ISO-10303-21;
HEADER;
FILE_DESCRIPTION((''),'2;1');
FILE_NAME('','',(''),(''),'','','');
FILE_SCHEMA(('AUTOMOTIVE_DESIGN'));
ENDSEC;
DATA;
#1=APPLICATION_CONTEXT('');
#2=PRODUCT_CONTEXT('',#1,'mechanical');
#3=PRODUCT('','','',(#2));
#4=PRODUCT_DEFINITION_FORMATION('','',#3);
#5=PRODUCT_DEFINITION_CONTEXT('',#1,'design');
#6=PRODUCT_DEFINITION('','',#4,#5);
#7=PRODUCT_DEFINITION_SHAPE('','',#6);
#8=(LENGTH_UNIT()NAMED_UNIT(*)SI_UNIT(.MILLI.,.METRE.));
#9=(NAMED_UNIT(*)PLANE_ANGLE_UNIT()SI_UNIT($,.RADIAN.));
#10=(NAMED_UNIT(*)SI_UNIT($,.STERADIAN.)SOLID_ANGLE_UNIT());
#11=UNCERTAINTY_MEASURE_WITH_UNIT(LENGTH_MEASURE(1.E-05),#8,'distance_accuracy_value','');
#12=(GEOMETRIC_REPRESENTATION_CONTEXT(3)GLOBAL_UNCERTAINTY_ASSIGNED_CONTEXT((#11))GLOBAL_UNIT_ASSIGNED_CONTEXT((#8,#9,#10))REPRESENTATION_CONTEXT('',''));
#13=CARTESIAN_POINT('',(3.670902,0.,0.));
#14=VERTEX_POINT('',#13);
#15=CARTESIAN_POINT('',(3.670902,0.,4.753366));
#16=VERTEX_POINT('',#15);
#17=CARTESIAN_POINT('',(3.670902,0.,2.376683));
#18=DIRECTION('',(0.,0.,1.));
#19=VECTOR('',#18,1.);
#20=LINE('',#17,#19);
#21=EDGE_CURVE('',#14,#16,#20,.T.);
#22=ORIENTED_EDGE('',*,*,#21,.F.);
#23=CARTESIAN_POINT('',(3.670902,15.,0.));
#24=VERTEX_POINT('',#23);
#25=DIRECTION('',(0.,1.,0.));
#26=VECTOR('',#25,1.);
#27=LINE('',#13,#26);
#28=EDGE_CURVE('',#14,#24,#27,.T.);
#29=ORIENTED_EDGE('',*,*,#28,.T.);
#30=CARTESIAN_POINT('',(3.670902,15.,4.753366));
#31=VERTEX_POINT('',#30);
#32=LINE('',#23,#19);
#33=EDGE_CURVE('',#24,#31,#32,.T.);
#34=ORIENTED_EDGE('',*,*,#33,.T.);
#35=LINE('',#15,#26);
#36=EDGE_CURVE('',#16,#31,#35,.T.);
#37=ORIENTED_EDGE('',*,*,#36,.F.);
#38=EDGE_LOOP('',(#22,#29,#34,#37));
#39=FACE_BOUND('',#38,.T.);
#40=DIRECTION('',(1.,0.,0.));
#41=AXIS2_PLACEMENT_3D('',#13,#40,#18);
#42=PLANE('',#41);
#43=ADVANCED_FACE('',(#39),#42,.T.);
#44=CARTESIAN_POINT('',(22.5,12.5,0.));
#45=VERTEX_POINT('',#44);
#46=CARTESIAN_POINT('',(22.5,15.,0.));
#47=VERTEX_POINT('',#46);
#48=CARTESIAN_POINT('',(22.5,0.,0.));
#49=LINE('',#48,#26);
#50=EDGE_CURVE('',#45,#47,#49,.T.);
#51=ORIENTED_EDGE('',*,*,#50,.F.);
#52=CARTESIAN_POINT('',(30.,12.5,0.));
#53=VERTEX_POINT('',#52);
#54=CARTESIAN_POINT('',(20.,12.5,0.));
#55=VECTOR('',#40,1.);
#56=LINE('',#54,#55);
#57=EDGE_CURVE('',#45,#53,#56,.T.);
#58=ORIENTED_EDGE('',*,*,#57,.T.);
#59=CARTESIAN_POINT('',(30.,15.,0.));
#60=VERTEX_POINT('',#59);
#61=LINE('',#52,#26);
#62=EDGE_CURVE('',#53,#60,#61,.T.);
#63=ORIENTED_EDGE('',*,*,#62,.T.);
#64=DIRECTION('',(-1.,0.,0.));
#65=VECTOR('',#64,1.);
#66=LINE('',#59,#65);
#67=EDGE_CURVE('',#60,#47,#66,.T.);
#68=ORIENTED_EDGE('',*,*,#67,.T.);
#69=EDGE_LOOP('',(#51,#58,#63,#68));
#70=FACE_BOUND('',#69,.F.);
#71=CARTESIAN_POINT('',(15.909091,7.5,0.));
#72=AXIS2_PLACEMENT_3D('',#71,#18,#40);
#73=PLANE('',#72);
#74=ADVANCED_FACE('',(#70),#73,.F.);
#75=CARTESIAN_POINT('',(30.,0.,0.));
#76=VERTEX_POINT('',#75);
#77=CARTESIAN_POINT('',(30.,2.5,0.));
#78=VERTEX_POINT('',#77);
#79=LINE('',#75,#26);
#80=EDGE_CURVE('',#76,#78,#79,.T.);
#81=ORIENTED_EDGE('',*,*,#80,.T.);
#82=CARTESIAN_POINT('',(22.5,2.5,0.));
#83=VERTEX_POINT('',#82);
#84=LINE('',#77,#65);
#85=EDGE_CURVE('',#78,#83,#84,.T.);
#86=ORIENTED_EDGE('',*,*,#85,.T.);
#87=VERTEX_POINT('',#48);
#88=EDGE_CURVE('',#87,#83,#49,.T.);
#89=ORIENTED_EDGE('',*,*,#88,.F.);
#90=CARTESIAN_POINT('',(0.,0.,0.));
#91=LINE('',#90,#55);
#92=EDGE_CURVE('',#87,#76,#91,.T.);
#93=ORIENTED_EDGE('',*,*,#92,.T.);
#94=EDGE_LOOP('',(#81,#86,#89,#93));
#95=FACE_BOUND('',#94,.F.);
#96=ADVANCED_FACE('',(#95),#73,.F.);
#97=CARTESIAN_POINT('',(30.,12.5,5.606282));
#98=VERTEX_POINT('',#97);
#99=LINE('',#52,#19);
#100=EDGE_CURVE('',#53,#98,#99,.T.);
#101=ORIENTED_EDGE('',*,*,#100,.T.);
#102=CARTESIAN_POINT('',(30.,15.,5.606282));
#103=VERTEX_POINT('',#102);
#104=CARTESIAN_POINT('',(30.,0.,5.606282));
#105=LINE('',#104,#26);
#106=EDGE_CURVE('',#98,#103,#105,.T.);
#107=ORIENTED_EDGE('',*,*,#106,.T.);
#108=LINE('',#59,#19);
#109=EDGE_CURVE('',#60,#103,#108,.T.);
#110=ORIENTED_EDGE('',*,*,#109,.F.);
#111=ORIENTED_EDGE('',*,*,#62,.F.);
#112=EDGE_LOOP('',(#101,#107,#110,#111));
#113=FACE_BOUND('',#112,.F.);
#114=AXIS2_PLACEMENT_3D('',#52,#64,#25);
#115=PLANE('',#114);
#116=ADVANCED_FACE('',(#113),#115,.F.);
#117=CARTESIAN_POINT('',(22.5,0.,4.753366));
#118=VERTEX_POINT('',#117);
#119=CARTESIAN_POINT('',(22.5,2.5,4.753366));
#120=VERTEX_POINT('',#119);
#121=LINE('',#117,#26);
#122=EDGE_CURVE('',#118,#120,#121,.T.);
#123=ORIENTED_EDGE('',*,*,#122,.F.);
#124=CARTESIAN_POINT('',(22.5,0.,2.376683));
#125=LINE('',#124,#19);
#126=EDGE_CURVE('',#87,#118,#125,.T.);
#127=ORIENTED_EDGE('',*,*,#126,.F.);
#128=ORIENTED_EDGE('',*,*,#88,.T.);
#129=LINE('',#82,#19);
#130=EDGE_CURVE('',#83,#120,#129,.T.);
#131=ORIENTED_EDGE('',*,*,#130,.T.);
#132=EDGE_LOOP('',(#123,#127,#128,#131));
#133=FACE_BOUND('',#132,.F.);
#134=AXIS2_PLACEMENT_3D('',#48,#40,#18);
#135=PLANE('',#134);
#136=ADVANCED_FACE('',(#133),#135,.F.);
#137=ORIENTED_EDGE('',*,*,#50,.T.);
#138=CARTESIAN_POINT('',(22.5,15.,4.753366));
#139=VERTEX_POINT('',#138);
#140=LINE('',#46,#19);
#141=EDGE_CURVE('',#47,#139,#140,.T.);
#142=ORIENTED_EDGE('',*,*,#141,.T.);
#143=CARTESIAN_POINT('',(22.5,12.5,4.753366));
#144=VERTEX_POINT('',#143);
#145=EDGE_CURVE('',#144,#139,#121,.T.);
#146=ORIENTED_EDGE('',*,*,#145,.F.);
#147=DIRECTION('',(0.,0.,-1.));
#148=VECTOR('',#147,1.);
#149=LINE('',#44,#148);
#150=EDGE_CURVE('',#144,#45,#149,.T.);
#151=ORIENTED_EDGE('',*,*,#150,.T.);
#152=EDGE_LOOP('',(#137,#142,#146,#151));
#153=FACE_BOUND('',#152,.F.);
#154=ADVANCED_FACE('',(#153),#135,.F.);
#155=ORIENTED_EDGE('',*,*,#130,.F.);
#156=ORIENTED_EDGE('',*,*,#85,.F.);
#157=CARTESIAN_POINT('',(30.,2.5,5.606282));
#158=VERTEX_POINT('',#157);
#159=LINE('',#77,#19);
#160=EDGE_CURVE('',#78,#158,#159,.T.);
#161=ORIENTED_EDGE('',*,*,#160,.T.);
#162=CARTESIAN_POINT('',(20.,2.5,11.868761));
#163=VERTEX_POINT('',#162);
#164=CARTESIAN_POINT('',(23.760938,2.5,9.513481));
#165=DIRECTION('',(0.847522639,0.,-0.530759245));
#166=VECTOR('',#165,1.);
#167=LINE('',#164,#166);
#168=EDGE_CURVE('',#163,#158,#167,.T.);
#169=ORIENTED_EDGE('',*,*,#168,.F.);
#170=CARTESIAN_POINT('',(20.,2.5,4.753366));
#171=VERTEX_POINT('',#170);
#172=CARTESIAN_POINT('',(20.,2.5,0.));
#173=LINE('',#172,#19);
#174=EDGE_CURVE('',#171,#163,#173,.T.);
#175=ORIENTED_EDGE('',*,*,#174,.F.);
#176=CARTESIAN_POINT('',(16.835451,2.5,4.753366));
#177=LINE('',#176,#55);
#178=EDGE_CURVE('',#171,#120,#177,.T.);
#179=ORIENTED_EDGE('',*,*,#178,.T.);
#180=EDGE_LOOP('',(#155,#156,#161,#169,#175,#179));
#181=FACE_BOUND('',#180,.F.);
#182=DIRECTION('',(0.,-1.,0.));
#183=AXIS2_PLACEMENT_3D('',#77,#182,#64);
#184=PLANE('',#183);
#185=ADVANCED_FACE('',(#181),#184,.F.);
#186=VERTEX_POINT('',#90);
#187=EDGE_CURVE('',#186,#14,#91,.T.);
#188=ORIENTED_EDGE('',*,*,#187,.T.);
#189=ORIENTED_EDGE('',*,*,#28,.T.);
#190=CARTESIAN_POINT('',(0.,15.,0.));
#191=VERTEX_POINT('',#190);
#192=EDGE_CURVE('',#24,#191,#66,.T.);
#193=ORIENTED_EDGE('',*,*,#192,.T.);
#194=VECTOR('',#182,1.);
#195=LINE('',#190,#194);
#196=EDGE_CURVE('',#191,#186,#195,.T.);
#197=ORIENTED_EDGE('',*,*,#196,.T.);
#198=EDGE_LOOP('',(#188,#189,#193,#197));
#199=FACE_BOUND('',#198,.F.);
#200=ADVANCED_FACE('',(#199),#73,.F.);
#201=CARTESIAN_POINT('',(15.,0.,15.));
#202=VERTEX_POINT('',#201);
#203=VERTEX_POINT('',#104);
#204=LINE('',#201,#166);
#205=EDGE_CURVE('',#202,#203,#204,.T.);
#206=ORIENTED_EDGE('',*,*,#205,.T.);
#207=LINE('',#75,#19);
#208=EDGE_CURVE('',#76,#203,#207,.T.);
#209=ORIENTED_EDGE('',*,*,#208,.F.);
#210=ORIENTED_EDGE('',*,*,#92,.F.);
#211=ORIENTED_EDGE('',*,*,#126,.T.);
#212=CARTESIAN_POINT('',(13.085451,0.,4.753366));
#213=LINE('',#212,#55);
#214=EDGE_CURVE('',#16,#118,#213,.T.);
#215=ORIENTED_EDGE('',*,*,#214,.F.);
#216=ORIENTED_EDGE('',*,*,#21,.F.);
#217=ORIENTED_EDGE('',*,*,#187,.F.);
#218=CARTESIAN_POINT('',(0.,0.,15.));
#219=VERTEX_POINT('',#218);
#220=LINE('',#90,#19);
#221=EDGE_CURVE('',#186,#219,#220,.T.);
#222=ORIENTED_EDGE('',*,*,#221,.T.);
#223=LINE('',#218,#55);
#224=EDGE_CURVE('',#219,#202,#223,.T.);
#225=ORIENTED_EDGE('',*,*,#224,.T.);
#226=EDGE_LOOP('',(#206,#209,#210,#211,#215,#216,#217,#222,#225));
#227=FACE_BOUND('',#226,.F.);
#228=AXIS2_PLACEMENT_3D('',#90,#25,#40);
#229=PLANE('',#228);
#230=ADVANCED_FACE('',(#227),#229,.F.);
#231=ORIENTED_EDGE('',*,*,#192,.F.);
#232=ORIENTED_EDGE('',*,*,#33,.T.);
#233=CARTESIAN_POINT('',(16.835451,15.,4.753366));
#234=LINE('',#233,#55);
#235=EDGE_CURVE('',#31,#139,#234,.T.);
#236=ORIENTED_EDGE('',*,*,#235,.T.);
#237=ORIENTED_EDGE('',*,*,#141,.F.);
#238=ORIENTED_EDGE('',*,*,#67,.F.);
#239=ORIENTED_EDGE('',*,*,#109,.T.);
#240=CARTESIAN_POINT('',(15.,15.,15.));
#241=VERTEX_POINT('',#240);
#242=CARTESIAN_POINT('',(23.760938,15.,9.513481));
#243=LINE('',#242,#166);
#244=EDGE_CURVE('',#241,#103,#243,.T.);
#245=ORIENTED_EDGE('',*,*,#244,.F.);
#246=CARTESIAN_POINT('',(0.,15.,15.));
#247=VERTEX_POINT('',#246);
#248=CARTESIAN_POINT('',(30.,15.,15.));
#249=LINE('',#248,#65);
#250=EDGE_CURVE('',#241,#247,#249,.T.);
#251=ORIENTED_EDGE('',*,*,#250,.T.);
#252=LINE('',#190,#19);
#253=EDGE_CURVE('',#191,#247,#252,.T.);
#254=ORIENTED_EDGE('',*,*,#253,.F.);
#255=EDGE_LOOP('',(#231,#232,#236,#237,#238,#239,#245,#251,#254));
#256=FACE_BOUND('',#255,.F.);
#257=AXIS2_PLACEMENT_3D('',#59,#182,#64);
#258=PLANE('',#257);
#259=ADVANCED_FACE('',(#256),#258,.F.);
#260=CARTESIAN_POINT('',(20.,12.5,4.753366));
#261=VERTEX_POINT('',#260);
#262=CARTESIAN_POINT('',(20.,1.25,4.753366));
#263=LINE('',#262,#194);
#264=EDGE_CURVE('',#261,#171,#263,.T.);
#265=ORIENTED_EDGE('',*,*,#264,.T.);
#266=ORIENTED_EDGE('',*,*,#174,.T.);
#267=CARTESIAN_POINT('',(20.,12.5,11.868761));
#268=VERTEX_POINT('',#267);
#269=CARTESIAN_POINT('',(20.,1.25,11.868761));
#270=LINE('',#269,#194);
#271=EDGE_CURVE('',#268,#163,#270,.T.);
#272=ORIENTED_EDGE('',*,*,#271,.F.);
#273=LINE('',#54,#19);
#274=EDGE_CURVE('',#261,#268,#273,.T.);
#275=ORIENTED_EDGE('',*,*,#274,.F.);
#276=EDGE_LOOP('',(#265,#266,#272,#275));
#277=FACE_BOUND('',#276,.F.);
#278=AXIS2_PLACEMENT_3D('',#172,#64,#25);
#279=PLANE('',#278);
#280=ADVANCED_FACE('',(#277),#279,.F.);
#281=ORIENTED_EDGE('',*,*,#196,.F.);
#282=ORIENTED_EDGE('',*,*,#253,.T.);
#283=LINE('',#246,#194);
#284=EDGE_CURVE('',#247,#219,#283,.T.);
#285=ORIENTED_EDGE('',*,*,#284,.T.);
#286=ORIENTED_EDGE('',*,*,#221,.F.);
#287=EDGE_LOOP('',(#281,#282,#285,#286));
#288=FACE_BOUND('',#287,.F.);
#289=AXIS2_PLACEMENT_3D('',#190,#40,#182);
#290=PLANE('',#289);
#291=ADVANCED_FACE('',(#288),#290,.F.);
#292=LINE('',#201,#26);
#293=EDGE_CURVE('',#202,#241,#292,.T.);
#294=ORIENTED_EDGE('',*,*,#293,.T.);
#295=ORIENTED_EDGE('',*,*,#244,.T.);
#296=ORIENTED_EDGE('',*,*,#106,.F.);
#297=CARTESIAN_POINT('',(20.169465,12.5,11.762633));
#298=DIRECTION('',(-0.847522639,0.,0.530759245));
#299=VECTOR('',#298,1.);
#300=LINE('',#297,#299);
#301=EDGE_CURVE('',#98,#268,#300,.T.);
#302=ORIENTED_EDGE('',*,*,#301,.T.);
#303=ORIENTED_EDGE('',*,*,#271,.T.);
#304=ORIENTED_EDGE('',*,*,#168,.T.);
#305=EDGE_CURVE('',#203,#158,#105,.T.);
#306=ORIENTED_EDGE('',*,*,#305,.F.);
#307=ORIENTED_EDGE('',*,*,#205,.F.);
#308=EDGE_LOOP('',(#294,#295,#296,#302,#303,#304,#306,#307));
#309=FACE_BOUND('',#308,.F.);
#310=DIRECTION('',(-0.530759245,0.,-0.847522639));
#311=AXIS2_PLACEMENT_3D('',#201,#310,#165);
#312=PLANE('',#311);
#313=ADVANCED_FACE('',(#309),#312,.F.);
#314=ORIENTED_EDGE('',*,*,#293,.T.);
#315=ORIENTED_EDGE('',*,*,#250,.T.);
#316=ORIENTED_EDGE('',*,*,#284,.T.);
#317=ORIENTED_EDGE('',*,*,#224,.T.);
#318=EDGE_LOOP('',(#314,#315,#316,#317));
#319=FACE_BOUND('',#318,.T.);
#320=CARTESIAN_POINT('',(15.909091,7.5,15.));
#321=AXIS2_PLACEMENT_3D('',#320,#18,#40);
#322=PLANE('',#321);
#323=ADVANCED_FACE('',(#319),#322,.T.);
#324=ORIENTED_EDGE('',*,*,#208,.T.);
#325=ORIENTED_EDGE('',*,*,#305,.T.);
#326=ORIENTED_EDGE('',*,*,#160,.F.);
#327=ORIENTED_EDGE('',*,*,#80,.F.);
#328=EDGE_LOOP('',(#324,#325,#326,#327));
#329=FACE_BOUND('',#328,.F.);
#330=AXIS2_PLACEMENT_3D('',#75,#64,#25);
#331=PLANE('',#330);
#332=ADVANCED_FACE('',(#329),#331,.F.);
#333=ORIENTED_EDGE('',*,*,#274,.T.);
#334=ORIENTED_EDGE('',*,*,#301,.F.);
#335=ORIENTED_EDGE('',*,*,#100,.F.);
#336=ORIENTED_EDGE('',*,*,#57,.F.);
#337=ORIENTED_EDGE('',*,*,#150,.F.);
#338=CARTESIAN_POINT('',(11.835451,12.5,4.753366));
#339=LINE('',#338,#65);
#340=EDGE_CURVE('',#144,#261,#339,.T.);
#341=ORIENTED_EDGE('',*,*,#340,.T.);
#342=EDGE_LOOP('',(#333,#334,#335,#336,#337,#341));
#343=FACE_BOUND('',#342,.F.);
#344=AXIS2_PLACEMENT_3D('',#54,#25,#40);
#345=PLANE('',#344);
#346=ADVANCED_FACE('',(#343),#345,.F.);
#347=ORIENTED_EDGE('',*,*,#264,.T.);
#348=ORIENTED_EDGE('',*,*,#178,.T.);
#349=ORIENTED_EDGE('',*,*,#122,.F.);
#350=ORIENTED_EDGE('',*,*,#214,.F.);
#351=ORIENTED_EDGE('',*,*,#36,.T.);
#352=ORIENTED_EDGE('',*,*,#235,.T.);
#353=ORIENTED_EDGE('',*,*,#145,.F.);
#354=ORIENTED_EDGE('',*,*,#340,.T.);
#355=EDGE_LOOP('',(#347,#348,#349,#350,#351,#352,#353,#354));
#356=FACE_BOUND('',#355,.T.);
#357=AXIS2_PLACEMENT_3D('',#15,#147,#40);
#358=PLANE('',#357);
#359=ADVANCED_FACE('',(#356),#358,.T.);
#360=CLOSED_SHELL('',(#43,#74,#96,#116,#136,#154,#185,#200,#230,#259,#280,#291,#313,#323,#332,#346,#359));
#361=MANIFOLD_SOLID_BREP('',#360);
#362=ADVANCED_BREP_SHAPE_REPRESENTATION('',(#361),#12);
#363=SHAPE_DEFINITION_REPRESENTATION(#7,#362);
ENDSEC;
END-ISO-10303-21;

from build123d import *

# Parameters (mm, degrees)
F1_DEPTH = 15
F3_DEPTH = 15.001
F2_W     = 18.829098
F2_H     = 4.753366
F4_DEPTH = 15.001


with BuildPart() as f1:
    # F0 (on Top) → F1 (new body)
    with BuildSketch(Plane.XY):
        Polygon((0, 15), (0, 0), (30, 0), (30, 2.5), (20, 2.5), (20, 12.5), (30, 12.5), (30, 15), align=None)
    extrude(amount=F1_DEPTH)

    # F2 (on face) → F3 (cut, through all)
    with BuildSketch(Plane.XZ):
        Polygon((30, 15), (15, 15), (30, 5.606282), align=None)
    extrude(amount=-F3_DEPTH, mode=Mode.SUBTRACT)

    # F2 (on face) → F4 (cut, through all)
    with BuildSketch(Plane.XZ):
        with Locations((13.085451, 2.376683)):
            Rectangle(F2_W, F2_H)
    extrude(amount=-F4_DEPTH, mode=Mode.SUBTRACT)


solid = f1.part
